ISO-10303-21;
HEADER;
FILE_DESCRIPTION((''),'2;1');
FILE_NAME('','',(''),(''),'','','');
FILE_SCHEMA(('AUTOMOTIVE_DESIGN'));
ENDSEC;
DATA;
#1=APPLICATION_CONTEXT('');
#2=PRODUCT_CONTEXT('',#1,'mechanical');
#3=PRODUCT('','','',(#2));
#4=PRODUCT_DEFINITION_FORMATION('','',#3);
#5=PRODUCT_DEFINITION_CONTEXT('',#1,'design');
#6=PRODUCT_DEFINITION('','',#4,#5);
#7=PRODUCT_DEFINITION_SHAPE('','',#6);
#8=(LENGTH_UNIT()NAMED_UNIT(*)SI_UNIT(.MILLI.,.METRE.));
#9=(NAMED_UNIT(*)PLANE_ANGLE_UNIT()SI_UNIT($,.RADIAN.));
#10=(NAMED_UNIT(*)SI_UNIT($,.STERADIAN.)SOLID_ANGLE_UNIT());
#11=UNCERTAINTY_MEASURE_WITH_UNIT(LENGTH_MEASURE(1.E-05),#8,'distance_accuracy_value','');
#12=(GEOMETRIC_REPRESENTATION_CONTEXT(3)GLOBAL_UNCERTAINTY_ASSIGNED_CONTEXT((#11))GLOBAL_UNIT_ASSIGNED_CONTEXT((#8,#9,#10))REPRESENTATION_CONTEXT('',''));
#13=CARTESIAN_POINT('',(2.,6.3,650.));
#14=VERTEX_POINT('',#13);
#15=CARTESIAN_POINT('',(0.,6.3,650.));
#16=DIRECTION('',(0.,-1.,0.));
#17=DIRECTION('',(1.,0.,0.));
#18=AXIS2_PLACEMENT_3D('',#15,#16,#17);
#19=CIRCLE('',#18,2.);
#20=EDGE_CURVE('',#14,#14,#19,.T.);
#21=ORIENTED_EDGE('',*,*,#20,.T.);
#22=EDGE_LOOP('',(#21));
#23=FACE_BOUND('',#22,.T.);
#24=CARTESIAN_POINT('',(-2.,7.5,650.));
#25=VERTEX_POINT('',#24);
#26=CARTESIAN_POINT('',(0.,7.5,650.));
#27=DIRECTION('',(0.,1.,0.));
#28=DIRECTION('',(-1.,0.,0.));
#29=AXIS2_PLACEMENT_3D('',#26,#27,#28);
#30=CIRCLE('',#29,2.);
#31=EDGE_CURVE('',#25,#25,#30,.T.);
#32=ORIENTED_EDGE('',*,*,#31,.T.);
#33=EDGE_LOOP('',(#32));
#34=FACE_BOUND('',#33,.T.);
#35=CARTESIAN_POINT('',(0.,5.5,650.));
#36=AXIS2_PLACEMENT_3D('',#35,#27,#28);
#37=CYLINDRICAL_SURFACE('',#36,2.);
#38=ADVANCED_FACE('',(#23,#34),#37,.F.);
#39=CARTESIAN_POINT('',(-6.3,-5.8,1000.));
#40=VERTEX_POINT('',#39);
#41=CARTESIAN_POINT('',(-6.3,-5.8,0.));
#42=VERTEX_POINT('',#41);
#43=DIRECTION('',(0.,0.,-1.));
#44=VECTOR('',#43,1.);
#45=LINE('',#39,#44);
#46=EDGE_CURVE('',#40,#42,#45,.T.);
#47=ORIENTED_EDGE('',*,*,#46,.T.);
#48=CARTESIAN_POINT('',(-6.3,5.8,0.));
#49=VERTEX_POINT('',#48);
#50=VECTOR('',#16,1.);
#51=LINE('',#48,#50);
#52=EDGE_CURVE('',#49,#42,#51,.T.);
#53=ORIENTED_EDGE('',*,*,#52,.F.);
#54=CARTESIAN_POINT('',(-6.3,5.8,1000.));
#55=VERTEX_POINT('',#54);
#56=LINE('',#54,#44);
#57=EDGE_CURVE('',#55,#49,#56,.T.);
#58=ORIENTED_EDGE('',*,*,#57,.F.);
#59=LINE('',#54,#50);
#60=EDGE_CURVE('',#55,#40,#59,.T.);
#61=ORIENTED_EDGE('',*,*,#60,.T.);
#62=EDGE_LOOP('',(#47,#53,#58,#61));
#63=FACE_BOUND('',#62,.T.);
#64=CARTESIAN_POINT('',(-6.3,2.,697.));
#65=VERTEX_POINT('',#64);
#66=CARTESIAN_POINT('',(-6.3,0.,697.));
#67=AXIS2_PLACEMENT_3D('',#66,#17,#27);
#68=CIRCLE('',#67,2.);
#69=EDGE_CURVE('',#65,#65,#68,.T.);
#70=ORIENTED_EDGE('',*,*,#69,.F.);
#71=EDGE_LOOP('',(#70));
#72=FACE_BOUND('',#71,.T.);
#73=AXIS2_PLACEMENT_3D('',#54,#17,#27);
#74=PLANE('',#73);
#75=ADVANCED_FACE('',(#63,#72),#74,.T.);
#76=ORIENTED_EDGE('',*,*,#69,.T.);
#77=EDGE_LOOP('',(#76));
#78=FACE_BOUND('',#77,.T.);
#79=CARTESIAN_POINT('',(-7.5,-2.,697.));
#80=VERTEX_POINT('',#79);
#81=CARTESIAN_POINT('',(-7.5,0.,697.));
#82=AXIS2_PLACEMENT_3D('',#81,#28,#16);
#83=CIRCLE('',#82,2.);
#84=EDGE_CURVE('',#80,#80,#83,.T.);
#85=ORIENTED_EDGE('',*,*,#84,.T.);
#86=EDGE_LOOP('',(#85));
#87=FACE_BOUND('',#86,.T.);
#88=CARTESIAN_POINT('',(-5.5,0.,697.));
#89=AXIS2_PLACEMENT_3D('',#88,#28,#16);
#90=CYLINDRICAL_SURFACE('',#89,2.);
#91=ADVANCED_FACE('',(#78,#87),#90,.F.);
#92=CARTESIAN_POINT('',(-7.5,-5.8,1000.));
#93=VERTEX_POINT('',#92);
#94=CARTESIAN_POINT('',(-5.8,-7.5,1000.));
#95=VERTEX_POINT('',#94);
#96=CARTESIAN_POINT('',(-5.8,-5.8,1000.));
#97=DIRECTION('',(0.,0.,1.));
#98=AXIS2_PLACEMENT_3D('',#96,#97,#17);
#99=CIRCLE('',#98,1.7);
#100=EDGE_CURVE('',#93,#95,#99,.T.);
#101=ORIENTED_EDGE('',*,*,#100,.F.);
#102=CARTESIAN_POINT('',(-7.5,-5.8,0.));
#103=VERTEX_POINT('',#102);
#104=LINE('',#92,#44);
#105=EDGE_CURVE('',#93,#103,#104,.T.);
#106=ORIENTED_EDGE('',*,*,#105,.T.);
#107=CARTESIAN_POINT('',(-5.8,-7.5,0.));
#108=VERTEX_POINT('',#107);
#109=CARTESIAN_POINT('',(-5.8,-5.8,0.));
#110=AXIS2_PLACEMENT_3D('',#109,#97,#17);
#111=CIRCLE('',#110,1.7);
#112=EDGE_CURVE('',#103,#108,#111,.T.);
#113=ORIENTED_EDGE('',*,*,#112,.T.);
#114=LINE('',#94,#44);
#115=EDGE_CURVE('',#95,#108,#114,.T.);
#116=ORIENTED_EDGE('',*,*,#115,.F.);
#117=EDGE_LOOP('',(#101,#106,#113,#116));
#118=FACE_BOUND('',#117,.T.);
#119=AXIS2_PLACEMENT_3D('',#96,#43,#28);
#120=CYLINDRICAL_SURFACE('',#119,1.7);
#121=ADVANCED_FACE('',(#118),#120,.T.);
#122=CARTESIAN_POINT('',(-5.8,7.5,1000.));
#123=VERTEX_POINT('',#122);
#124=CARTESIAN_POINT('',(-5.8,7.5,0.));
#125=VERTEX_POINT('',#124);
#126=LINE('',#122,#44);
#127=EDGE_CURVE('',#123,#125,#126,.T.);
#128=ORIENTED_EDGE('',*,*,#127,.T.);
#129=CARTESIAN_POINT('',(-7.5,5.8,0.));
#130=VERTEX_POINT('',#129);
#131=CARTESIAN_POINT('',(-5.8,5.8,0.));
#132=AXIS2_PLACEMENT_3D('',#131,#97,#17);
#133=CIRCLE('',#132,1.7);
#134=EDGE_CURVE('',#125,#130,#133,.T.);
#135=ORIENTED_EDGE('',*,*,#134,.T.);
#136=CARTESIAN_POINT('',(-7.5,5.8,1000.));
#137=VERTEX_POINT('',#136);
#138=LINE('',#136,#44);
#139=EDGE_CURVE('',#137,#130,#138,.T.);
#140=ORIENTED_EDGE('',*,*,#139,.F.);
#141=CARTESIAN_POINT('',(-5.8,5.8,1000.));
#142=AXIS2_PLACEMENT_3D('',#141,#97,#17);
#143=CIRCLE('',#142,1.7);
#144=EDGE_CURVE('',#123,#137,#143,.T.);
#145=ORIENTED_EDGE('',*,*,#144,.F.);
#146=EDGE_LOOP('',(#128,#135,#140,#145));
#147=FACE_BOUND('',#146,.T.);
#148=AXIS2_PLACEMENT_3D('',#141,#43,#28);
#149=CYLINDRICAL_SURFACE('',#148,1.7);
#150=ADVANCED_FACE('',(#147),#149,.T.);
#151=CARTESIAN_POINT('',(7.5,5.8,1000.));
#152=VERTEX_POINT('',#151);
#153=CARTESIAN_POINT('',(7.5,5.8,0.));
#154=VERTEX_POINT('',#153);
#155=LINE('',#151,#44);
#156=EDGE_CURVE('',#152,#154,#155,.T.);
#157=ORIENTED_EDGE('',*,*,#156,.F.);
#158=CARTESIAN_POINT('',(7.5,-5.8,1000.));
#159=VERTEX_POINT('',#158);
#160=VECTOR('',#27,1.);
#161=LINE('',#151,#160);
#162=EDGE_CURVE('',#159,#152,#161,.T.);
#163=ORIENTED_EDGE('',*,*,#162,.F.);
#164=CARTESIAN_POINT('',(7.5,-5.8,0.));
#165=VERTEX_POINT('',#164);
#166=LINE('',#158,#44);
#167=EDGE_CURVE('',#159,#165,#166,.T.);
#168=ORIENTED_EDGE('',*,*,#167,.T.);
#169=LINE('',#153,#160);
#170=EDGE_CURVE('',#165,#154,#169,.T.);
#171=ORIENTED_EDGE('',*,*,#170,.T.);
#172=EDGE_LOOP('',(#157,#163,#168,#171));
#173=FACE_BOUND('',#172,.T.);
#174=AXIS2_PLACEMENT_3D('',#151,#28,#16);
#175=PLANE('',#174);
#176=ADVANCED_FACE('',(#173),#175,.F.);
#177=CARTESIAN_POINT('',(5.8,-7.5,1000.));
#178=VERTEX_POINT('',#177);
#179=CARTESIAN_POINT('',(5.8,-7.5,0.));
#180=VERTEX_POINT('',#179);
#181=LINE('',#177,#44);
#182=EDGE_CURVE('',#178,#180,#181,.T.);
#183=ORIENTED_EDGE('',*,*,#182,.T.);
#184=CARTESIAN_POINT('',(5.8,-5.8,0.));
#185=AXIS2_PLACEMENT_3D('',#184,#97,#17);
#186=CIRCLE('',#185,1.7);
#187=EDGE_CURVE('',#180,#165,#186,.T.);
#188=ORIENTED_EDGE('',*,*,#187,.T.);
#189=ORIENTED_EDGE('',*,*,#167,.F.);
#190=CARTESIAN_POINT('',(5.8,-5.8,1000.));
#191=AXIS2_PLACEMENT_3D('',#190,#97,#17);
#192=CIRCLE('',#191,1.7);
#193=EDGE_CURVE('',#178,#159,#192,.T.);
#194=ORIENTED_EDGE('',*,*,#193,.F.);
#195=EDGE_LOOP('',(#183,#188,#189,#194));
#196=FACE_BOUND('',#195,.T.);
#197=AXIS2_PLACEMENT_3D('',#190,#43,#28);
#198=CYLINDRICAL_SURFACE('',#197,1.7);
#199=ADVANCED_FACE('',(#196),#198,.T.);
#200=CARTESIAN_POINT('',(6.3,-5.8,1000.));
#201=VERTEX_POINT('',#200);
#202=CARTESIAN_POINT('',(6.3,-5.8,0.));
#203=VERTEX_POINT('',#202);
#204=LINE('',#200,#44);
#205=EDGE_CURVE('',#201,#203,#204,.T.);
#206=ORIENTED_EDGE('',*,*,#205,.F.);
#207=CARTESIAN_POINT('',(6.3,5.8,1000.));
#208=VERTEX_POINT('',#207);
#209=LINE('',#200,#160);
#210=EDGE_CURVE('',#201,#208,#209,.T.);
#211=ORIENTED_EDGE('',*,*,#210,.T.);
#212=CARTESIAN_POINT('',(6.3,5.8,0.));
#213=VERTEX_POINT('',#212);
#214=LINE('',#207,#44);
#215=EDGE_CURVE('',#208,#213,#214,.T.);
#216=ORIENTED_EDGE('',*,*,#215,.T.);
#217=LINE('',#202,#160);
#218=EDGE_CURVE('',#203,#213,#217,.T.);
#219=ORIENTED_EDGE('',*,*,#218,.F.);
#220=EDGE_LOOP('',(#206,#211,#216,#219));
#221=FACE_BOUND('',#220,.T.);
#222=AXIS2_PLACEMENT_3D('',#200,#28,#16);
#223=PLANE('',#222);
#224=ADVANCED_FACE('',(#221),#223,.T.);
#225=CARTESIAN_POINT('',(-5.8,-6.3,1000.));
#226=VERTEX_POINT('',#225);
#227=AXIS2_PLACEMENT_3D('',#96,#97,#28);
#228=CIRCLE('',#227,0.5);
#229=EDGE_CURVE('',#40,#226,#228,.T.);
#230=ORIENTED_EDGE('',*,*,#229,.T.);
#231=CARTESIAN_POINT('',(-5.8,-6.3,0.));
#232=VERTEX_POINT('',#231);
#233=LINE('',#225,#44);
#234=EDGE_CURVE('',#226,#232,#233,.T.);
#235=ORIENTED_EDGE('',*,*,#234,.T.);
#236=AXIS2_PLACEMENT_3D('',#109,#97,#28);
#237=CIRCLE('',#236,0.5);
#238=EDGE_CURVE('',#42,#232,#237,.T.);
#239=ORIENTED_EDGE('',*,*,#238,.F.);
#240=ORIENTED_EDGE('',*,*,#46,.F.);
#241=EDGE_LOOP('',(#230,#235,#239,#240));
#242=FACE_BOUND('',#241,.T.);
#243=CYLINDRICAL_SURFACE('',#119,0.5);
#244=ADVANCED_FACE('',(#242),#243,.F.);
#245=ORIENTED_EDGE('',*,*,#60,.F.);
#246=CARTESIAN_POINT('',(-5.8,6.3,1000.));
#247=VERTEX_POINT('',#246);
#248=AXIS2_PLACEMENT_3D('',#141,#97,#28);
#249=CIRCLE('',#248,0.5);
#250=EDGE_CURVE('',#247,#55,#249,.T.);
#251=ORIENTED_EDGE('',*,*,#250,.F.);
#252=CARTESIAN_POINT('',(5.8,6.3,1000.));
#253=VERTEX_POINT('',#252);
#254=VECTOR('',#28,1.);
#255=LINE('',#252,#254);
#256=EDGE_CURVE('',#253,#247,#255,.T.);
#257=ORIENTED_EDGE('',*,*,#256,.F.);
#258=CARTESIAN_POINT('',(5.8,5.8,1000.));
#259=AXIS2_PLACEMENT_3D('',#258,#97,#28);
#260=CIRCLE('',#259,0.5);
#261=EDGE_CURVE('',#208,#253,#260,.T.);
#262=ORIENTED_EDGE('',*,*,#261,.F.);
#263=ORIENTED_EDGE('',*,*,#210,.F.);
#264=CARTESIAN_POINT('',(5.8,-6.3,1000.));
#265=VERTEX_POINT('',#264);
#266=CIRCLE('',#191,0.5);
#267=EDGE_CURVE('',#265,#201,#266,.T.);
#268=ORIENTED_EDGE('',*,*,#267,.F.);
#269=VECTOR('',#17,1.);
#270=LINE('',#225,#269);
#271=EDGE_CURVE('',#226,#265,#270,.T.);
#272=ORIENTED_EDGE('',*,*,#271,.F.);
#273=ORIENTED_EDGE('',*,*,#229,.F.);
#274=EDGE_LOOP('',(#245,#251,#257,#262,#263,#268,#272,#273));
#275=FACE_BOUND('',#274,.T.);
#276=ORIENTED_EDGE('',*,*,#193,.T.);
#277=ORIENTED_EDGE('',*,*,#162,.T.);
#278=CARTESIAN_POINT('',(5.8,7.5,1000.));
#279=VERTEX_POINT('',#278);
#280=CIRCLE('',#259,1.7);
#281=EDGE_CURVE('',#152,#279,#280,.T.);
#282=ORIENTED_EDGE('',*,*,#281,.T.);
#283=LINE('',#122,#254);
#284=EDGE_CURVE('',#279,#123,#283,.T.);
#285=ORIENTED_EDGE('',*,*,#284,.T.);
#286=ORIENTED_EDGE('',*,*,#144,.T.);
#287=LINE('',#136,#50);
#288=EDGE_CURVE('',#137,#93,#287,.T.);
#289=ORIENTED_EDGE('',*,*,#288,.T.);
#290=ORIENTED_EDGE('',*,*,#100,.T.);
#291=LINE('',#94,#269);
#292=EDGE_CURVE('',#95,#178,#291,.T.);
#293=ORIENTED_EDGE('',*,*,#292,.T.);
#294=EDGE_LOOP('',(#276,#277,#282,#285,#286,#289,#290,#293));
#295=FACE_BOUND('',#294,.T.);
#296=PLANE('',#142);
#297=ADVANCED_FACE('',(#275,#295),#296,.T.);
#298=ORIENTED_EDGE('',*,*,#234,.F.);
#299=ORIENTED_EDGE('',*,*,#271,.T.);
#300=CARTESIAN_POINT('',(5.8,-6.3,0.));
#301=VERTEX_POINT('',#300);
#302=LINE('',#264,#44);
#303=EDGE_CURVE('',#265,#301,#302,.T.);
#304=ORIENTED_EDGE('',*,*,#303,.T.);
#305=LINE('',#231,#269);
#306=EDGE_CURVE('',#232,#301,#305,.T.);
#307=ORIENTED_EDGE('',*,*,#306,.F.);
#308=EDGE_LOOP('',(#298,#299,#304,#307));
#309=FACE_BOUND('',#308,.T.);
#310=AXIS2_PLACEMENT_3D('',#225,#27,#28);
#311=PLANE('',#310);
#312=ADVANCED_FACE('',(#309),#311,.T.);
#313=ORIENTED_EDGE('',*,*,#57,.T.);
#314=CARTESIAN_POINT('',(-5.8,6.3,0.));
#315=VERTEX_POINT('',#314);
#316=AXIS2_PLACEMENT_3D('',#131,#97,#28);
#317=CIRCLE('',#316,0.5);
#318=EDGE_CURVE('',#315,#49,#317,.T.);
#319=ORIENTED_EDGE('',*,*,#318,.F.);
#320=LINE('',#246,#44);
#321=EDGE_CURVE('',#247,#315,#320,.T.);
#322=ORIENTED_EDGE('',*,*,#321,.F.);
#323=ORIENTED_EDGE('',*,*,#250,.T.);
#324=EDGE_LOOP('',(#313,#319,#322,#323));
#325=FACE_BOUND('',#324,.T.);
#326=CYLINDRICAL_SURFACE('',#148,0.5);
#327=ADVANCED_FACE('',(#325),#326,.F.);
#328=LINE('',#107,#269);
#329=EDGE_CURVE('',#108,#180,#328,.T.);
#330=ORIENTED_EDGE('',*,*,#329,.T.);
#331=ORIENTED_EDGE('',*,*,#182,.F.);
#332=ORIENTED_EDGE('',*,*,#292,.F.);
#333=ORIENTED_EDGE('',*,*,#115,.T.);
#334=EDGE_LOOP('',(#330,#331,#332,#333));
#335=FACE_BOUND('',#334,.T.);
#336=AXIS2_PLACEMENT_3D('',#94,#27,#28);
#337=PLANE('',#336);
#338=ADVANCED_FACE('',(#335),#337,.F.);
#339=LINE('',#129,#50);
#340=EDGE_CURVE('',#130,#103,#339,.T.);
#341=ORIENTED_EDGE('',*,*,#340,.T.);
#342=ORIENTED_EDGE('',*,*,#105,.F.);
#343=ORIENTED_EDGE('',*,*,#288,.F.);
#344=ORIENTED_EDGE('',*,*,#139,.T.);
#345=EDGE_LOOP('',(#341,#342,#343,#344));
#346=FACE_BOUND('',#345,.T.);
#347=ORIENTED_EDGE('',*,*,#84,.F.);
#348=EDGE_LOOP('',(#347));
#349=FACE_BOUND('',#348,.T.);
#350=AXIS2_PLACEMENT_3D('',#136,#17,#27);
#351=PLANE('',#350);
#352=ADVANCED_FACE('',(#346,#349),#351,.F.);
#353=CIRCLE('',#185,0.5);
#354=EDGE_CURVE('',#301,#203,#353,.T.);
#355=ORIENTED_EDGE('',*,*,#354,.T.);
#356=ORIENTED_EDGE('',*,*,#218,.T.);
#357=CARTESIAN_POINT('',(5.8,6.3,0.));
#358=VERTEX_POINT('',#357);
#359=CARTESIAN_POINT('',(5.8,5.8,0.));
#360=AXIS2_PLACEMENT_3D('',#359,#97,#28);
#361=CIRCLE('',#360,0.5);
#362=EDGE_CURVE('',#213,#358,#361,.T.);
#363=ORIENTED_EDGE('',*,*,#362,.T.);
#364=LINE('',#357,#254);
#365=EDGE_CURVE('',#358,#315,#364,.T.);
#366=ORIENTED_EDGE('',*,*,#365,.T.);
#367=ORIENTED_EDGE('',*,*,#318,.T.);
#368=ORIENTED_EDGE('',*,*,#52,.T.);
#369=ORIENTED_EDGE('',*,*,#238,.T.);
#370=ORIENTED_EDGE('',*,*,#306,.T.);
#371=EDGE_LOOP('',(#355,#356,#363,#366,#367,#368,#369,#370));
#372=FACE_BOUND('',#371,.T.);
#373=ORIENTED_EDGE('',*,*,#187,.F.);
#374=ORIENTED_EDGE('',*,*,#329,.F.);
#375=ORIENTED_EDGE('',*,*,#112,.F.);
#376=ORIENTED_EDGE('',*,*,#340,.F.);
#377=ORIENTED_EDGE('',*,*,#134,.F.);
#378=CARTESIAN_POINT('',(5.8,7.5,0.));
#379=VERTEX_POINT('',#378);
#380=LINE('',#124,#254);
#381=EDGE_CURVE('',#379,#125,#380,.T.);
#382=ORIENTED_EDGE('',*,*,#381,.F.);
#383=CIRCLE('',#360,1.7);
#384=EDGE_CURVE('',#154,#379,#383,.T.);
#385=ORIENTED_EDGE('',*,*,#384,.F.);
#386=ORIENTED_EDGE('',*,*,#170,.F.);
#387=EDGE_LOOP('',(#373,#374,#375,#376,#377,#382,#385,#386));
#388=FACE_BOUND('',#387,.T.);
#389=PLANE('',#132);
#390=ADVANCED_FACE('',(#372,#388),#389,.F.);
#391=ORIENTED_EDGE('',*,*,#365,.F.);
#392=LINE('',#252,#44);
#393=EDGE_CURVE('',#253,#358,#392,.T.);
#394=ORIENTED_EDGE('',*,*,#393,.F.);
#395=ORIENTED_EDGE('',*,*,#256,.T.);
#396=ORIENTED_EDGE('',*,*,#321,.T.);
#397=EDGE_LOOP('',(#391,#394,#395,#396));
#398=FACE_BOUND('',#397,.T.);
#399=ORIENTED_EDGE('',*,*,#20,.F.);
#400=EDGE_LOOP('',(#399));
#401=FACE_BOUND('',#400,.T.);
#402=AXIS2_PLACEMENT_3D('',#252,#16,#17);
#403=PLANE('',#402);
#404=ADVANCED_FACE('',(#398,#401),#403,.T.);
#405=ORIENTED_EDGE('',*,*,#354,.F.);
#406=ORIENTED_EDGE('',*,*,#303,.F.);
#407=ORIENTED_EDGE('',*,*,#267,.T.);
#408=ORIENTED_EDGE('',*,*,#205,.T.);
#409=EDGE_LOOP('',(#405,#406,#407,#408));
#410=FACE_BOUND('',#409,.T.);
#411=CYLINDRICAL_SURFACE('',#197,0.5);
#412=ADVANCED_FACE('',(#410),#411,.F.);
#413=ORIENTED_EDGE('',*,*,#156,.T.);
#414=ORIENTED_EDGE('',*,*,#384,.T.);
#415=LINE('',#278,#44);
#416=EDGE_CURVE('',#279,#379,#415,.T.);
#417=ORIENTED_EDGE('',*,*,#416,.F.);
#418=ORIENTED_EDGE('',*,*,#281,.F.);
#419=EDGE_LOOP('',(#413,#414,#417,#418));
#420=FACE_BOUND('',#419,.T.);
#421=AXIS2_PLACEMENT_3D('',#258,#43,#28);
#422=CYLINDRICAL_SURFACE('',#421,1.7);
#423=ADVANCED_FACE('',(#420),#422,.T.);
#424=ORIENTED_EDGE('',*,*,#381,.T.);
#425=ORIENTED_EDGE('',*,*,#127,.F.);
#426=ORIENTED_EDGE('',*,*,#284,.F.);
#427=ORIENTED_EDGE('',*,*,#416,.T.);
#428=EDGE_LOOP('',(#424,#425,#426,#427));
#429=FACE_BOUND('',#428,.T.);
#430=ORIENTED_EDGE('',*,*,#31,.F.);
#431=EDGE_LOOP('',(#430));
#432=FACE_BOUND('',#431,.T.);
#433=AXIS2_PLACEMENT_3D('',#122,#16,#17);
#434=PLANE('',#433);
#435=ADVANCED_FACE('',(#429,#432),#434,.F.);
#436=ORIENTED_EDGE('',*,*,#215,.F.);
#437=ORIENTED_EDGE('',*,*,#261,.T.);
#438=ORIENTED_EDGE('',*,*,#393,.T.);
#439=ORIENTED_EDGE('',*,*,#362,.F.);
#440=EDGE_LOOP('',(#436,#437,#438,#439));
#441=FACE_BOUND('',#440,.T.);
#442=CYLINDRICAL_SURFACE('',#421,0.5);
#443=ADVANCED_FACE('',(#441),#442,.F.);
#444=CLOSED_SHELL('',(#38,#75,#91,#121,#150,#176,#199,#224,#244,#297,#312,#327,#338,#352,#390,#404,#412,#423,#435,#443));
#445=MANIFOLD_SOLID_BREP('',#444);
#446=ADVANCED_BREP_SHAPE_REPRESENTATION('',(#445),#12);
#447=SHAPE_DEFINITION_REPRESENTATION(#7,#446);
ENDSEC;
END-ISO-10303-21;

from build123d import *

# Parameters (mm, degrees)
EXTRUDE1_DEPTH     = 1000
SKETCH2_R          = 2
CUT_EXTRUDE1_DEPTH = 2
SKETCH3_R          = 2
CUT_EXTRUDE2_DEPTH = 2


with BuildPart() as part:
    # Sketch1 → Extrude1 (new body)
    with BuildSketch(Plane.XY):
        with BuildLine():
            Line((-5.8, 7.5), (5.8, 7.5))
            ThreePointArc((5.8, 7.5), (7.002081528, 7.002081528), (7.5, 5.8))
            Line((7.5, 5.8), (7.5, -5.8))
            ThreePointArc((7.5, -5.8), (7.002081528, -7.002081528), (5.8, -7.5))
            Line((5.8, -7.5), (-5.8, -7.5))
            ThreePointArc((-5.8, -7.5), (-7.002081528, -7.002081528), (-7.5, -5.8))
            Line((-7.5, -5.8), (-7.5, 5.8))
            ThreePointArc((-7.5, 5.8), (-7.002081528, 7.002081528), (-5.8, 7.5))
        make_face()
        with BuildLine():
            Line((-6.3, 5.8), (-6.3, -5.8))
            ThreePointArc((-6.3, -5.8), (-6.153553391, -6.153553391), (-5.8, -6.3))
            Line((-5.8, -6.3), (5.8, -6.3))
            ThreePointArc((5.8, -6.3), (6.153553391, -6.153553391), (6.3, -5.8))
            Line((6.3, -5.8), (6.3, 5.8))
            ThreePointArc((6.3, 5.8), (6.153553391, 6.153553391), (5.8, 6.3))
            Line((5.8, 6.3), (-5.8, 6.3))
            ThreePointArc((-5.8, 6.3), (-6.153553391, 6.153553391), (-6.3, 5.8))
        make_face(mode=Mode.SUBTRACT)
    extrude(amount=EXTRUDE1_DEPTH)

    # Sketch2 → Cut-Extrude1 (cut)
    with BuildSketch(Plane.ZY.offset(7.5)):
        with Locations((697, 0)):
            Circle(SKETCH2_R)
    extrude(amount=-CUT_EXTRUDE1_DEPTH, mode=Mode.SUBTRACT)

    # Sketch3 → Cut-Extrude2 (cut)
    with BuildSketch(Plane(origin=(0, 7.5, 0), x_dir=(-1, 0, 0), z_dir=(0, 1, 0))):
        with Locations((0, 650)):
            Circle(SKETCH3_R)
    extrude(amount=-CUT_EXTRUDE2_DEPTH, mode=Mode.SUBTRACT)


solid = part.part
